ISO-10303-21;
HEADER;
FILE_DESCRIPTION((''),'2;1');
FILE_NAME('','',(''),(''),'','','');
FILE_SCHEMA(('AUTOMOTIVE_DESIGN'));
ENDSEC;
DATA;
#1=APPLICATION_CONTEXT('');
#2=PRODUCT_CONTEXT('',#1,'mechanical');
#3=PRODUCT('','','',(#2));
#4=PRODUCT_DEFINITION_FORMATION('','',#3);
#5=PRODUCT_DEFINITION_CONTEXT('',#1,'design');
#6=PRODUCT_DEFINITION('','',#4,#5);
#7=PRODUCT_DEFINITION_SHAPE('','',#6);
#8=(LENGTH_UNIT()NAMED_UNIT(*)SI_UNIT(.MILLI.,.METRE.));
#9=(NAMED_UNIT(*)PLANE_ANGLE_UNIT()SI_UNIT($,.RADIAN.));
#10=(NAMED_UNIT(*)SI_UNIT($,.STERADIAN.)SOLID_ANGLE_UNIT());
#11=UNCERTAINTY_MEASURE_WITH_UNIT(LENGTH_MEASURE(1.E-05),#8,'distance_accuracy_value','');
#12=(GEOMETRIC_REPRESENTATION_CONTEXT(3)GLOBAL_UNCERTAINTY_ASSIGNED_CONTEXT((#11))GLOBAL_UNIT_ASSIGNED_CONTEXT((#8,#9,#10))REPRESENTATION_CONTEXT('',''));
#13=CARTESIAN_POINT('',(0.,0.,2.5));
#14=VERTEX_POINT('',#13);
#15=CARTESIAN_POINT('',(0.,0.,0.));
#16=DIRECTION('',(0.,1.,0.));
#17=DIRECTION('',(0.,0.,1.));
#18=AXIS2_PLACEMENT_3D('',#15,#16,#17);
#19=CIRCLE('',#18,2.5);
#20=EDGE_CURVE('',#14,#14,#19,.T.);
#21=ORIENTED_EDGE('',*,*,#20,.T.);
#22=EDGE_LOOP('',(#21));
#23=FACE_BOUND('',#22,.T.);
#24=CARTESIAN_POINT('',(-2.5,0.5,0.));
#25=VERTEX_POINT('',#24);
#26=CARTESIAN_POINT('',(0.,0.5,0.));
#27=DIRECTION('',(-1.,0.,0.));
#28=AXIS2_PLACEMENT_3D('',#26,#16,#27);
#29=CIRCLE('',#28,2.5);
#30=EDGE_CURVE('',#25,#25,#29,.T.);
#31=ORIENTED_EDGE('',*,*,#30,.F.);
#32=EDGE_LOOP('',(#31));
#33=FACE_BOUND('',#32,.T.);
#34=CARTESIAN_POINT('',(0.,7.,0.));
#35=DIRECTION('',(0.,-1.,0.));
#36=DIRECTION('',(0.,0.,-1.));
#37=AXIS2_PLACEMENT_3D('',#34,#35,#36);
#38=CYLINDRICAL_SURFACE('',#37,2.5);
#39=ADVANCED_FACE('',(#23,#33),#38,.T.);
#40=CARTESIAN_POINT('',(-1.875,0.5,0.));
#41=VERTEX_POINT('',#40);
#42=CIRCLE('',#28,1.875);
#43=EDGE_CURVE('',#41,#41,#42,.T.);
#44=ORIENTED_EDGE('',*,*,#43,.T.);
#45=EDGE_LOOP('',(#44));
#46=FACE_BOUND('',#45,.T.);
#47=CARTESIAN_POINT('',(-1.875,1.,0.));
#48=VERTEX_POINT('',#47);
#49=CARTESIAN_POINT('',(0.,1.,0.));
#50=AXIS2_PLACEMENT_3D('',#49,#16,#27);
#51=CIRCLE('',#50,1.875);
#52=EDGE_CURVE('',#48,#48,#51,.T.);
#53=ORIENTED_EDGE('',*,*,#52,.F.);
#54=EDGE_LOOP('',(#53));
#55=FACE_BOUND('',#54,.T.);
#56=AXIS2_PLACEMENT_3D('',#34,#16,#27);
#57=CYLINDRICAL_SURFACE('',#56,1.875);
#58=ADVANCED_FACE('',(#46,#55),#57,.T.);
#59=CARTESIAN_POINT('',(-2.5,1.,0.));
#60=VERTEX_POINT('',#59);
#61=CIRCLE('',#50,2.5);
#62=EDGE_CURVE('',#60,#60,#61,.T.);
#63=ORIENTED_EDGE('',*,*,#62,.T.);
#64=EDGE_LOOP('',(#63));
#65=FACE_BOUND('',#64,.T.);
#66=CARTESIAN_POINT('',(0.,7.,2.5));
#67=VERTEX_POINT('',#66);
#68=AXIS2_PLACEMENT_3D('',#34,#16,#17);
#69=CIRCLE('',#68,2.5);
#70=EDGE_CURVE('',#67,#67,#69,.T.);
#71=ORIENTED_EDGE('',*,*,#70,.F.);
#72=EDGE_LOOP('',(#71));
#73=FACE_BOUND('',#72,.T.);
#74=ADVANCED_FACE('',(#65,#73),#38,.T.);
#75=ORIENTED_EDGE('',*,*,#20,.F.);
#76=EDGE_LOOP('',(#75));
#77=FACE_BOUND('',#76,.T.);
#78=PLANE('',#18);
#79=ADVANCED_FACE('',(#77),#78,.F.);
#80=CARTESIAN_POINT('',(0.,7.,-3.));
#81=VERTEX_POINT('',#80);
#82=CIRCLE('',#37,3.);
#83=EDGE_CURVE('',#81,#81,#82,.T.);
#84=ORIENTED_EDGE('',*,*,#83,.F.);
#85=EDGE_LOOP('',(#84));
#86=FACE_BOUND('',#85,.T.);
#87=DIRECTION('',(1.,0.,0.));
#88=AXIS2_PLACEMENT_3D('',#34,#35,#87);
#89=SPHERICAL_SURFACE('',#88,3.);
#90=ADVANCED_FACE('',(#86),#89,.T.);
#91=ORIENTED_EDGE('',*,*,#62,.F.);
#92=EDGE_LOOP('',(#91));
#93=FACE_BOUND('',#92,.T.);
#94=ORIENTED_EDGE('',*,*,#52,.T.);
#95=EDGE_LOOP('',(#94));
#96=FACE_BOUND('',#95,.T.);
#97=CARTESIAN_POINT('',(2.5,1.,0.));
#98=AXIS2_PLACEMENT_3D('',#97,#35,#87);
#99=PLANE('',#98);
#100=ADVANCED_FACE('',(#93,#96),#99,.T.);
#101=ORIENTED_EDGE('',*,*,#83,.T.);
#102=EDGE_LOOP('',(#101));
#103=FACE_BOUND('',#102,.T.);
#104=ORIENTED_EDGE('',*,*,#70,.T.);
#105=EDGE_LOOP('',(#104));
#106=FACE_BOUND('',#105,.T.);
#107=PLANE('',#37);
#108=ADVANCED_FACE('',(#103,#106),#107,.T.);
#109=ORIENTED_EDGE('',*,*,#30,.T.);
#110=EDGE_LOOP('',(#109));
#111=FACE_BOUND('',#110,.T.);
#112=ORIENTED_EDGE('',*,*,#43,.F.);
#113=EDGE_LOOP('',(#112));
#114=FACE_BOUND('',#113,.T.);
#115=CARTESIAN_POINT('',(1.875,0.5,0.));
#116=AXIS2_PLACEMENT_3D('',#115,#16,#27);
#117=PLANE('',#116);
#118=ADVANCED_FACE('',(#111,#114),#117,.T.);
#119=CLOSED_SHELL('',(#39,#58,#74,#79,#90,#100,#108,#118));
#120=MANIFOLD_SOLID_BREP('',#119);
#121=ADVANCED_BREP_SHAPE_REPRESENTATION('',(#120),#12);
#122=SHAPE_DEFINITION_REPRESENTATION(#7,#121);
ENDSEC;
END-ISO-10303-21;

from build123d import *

# Parameters (mm, degrees)
SKETCH1_R           = 2.5
BOSS_EXTRUDE1_DEPTH = 7
SKETCH3_W           = 0.625
SKETCH3_H           = 0.5


with BuildPart() as part:
    # Sketch1 → Boss-Extrude1 (new body)
    with BuildSketch(Plane(origin=(0, 0, 0), x_dir=(1, 0, 0), z_dir=(0, 1, 0))):
        with Locations(Location((0, 0, 0), (0, 0, 270))):
            Circle(SKETCH1_R)
    extrude(amount=BOSS_EXTRUDE1_DEPTH)

    # Sketch2 → Revolve1 (revolve)
    with BuildSketch(Plane.XY):
        with BuildLine():
            Line((0, 7), (3, 7))
            ThreePointArc((3, 7), (2.121320344, 9.121320344), (0, 10))
            Line((0, 10), (0, 7))
        make_face()
    revolve(axis=Axis((0, 7, 0), (0, 1, 0)))

    # Sketch3 → Cut-Revolve1 (revolve, cut)
    with BuildSketch(Plane.XY, mode=Mode.PRIVATE) as cut_revolve1_sk:
        with Locations((2.1875, 0.75)):
            Rectangle(SKETCH3_W, SKETCH3_H)
    revolve(cut_revolve1_sk.sketch.rotate(Axis((0, 7, 0), (0, -1, 0)), 180), axis=Axis((0, 7, 0), (0, -1, 0)), mode=Mode.SUBTRACT)


solid = part.part
